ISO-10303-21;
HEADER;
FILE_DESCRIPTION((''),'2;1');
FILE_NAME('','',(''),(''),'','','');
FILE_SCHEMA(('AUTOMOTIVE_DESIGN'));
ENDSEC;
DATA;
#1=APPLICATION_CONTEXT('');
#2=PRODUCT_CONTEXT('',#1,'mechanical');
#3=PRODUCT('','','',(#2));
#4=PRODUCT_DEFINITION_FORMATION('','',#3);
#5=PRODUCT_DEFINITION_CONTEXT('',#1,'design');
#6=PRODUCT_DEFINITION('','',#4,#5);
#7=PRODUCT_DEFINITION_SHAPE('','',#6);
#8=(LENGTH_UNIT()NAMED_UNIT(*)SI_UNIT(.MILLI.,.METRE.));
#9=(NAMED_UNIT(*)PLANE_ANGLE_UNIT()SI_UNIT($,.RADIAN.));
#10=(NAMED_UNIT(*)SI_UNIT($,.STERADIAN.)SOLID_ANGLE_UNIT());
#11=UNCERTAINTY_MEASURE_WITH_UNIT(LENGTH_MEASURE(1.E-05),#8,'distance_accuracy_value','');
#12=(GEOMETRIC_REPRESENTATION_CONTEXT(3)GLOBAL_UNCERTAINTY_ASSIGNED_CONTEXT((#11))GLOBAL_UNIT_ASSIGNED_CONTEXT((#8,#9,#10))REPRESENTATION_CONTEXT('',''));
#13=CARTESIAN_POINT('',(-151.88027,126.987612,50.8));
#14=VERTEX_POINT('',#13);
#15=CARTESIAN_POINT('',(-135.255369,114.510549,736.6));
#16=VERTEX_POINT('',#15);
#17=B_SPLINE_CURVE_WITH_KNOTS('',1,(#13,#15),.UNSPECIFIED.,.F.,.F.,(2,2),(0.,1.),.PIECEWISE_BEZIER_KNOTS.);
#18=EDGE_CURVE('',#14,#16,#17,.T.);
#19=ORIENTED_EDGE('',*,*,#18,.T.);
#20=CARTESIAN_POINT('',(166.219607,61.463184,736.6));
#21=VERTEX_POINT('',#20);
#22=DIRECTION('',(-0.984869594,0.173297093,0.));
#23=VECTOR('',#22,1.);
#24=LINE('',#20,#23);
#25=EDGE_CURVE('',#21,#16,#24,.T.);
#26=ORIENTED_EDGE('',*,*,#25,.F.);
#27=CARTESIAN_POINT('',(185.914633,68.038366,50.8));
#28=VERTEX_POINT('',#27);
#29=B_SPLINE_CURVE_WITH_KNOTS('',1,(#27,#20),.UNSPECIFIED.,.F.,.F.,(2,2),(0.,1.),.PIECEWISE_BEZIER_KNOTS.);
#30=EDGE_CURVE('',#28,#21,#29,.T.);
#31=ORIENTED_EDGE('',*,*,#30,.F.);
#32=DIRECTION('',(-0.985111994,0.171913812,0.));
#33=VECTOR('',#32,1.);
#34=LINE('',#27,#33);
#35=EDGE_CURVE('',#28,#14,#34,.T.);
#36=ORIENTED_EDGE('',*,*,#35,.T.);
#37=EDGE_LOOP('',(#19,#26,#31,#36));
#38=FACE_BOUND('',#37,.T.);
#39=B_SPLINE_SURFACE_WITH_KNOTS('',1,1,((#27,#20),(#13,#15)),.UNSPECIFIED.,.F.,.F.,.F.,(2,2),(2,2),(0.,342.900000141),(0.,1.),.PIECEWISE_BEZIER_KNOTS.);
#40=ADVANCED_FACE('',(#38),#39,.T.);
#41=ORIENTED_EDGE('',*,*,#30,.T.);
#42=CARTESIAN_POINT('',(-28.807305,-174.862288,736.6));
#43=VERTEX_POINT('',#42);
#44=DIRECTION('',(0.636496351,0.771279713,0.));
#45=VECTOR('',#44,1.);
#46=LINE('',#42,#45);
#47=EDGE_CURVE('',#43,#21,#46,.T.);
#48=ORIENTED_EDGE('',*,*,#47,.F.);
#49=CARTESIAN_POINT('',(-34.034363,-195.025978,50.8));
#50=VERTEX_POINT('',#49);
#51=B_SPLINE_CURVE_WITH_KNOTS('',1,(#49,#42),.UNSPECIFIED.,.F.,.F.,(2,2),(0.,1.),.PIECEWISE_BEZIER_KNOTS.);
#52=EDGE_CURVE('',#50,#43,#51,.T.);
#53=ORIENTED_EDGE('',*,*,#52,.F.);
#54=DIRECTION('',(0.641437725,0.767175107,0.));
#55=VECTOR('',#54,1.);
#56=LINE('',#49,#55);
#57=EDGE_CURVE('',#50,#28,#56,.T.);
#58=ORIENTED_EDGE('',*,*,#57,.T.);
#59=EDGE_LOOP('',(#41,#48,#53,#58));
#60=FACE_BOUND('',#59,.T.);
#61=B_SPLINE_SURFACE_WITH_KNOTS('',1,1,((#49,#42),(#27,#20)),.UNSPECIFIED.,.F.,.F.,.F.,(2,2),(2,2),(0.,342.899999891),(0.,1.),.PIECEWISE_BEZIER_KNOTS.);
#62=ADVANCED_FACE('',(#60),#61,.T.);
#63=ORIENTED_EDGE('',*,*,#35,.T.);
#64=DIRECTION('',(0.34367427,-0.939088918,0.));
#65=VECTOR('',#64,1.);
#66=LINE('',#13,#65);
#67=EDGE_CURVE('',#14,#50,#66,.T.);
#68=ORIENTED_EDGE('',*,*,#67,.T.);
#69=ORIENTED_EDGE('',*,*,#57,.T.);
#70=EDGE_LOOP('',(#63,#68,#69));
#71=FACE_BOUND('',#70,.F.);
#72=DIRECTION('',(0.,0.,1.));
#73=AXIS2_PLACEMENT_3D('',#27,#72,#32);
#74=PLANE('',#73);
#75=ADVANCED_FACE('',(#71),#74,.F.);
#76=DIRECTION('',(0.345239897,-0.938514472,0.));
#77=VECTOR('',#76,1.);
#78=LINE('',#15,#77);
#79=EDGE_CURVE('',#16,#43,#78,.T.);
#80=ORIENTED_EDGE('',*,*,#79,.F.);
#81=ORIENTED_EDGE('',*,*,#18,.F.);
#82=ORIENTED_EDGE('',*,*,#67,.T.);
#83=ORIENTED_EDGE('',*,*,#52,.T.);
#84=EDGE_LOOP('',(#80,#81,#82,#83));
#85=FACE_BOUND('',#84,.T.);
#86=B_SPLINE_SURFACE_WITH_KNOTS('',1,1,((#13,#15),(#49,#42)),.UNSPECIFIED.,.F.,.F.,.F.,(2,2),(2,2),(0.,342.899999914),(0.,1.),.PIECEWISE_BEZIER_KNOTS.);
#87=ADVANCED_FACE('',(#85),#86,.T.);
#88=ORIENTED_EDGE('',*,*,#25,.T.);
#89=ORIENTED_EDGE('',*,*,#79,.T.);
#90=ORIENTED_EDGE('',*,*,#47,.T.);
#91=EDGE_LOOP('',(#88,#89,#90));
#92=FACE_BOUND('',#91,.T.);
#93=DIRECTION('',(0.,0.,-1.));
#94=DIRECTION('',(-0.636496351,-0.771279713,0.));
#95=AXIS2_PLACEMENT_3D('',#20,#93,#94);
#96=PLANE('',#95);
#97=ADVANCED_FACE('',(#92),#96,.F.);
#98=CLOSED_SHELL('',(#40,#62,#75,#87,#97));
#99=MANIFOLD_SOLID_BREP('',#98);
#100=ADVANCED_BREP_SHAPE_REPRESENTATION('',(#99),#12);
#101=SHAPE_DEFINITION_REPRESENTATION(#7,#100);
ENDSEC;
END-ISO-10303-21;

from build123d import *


with BuildPart() as f4:
    # F2 (on offset) → F4 section 0
    with BuildSketch(Plane.XY.offset(50.8)):
        Polygon((185.914633, 68.038366), (-151.88027, 126.987612), (-34.034363, -195.025978), align=None)
    # F3 (on offset) → F4 section 1
    with BuildSketch(Plane.XY.offset(736.6)):
        Polygon((166.219607, 61.463184), (-135.255369, 114.510549), (-28.807305, -174.862288), align=None)
    loft()


solid = f4.part
